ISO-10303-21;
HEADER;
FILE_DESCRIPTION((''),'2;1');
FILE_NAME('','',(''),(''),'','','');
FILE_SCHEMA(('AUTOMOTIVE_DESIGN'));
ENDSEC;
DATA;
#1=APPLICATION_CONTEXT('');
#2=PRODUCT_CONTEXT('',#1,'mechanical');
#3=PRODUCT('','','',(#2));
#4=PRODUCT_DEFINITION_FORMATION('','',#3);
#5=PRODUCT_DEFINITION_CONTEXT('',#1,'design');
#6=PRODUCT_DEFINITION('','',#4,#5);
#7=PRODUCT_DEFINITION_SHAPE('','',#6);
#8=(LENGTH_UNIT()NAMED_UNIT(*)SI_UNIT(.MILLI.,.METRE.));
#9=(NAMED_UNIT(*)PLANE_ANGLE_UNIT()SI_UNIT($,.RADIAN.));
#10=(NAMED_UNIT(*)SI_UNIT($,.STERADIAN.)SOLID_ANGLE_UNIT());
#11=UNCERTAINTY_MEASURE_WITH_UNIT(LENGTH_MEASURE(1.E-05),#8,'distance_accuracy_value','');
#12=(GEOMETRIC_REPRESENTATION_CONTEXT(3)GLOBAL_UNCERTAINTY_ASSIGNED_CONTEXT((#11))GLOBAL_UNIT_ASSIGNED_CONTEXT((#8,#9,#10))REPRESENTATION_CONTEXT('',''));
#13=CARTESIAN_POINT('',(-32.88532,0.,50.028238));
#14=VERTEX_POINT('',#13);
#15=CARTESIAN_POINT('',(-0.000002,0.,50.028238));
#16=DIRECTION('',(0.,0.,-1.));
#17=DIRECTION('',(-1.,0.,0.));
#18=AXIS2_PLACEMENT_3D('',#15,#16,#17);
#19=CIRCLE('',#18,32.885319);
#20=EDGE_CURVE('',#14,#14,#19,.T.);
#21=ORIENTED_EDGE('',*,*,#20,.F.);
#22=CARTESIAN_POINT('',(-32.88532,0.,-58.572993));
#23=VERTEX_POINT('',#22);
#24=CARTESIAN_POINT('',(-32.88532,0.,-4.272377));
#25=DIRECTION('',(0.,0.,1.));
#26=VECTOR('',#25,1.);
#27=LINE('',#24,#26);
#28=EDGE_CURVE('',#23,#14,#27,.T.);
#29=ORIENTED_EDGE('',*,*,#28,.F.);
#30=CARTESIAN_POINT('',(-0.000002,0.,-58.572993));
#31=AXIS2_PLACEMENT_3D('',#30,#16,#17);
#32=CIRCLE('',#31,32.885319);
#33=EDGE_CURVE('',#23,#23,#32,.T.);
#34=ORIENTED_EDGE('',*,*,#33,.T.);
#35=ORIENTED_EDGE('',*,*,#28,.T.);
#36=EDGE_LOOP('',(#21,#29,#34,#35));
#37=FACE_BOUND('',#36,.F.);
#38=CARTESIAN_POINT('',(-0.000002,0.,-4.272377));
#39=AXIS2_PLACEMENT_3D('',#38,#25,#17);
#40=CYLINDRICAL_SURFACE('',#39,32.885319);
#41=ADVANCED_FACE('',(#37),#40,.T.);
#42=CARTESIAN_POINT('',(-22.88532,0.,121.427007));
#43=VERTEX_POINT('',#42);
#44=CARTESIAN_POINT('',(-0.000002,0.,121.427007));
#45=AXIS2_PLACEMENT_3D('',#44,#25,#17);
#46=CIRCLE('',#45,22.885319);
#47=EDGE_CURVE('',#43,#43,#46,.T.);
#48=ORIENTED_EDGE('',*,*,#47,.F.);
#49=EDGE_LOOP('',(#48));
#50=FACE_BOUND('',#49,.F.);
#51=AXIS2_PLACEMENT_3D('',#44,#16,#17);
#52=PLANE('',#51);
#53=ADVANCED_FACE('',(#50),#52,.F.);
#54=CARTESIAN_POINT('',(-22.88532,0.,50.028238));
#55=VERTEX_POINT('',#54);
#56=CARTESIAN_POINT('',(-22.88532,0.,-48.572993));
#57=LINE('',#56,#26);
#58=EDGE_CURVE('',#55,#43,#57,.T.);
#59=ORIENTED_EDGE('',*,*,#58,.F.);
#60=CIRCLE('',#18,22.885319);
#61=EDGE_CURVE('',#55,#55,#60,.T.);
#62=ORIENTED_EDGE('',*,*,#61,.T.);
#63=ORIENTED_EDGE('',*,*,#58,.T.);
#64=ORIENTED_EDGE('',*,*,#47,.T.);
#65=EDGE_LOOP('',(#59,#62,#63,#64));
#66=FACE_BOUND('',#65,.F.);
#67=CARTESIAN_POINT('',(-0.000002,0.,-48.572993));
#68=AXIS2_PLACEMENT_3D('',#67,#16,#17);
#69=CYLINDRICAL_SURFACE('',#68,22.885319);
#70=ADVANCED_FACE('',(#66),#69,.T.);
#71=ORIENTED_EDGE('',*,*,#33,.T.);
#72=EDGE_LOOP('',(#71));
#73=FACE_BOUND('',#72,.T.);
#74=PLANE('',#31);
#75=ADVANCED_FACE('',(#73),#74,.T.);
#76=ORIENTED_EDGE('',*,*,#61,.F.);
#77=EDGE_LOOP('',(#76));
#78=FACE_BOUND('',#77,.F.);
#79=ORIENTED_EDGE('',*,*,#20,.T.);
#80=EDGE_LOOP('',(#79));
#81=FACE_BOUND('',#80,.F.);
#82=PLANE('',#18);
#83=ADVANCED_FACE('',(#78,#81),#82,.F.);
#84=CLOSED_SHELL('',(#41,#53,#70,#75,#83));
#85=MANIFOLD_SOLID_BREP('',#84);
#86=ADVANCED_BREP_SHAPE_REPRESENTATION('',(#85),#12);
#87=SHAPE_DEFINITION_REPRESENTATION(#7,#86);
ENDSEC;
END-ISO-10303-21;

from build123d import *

# Parameters (mm, degrees)
F0_W     = 32.885318622
F0_H     = 108.601231128
F2_T     = -10
F3_DEPTH = 170


with BuildPart() as f1:
    # F0 (on Front) → F1 (revolve)
    with BuildSketch(Plane.XZ):
        with Locations((-16.4426611736, -4.2723771185)):
            Rectangle(F0_W, F0_H)
    revolve(axis=Axis((-1.8626e-06, 0, -4.2723771185), (0, 0, -1)))

    # F2
    f2_openings = [f1.faces().sort_by_distance(p)[0] for p in [
        (-2e-06, 0, 50.028238),
    ]]
    offset(amount=F2_T, openings=f2_openings)

    # F3 (add): a face of the model
    f3_faces = [f1.faces().sort_by_distance(p)[0] for p in [
        (-1.8626e-06, 0, -48.5729926825),
    ]]
    extrude(f3_faces, amount=F3_DEPTH)


solid = f1.part
